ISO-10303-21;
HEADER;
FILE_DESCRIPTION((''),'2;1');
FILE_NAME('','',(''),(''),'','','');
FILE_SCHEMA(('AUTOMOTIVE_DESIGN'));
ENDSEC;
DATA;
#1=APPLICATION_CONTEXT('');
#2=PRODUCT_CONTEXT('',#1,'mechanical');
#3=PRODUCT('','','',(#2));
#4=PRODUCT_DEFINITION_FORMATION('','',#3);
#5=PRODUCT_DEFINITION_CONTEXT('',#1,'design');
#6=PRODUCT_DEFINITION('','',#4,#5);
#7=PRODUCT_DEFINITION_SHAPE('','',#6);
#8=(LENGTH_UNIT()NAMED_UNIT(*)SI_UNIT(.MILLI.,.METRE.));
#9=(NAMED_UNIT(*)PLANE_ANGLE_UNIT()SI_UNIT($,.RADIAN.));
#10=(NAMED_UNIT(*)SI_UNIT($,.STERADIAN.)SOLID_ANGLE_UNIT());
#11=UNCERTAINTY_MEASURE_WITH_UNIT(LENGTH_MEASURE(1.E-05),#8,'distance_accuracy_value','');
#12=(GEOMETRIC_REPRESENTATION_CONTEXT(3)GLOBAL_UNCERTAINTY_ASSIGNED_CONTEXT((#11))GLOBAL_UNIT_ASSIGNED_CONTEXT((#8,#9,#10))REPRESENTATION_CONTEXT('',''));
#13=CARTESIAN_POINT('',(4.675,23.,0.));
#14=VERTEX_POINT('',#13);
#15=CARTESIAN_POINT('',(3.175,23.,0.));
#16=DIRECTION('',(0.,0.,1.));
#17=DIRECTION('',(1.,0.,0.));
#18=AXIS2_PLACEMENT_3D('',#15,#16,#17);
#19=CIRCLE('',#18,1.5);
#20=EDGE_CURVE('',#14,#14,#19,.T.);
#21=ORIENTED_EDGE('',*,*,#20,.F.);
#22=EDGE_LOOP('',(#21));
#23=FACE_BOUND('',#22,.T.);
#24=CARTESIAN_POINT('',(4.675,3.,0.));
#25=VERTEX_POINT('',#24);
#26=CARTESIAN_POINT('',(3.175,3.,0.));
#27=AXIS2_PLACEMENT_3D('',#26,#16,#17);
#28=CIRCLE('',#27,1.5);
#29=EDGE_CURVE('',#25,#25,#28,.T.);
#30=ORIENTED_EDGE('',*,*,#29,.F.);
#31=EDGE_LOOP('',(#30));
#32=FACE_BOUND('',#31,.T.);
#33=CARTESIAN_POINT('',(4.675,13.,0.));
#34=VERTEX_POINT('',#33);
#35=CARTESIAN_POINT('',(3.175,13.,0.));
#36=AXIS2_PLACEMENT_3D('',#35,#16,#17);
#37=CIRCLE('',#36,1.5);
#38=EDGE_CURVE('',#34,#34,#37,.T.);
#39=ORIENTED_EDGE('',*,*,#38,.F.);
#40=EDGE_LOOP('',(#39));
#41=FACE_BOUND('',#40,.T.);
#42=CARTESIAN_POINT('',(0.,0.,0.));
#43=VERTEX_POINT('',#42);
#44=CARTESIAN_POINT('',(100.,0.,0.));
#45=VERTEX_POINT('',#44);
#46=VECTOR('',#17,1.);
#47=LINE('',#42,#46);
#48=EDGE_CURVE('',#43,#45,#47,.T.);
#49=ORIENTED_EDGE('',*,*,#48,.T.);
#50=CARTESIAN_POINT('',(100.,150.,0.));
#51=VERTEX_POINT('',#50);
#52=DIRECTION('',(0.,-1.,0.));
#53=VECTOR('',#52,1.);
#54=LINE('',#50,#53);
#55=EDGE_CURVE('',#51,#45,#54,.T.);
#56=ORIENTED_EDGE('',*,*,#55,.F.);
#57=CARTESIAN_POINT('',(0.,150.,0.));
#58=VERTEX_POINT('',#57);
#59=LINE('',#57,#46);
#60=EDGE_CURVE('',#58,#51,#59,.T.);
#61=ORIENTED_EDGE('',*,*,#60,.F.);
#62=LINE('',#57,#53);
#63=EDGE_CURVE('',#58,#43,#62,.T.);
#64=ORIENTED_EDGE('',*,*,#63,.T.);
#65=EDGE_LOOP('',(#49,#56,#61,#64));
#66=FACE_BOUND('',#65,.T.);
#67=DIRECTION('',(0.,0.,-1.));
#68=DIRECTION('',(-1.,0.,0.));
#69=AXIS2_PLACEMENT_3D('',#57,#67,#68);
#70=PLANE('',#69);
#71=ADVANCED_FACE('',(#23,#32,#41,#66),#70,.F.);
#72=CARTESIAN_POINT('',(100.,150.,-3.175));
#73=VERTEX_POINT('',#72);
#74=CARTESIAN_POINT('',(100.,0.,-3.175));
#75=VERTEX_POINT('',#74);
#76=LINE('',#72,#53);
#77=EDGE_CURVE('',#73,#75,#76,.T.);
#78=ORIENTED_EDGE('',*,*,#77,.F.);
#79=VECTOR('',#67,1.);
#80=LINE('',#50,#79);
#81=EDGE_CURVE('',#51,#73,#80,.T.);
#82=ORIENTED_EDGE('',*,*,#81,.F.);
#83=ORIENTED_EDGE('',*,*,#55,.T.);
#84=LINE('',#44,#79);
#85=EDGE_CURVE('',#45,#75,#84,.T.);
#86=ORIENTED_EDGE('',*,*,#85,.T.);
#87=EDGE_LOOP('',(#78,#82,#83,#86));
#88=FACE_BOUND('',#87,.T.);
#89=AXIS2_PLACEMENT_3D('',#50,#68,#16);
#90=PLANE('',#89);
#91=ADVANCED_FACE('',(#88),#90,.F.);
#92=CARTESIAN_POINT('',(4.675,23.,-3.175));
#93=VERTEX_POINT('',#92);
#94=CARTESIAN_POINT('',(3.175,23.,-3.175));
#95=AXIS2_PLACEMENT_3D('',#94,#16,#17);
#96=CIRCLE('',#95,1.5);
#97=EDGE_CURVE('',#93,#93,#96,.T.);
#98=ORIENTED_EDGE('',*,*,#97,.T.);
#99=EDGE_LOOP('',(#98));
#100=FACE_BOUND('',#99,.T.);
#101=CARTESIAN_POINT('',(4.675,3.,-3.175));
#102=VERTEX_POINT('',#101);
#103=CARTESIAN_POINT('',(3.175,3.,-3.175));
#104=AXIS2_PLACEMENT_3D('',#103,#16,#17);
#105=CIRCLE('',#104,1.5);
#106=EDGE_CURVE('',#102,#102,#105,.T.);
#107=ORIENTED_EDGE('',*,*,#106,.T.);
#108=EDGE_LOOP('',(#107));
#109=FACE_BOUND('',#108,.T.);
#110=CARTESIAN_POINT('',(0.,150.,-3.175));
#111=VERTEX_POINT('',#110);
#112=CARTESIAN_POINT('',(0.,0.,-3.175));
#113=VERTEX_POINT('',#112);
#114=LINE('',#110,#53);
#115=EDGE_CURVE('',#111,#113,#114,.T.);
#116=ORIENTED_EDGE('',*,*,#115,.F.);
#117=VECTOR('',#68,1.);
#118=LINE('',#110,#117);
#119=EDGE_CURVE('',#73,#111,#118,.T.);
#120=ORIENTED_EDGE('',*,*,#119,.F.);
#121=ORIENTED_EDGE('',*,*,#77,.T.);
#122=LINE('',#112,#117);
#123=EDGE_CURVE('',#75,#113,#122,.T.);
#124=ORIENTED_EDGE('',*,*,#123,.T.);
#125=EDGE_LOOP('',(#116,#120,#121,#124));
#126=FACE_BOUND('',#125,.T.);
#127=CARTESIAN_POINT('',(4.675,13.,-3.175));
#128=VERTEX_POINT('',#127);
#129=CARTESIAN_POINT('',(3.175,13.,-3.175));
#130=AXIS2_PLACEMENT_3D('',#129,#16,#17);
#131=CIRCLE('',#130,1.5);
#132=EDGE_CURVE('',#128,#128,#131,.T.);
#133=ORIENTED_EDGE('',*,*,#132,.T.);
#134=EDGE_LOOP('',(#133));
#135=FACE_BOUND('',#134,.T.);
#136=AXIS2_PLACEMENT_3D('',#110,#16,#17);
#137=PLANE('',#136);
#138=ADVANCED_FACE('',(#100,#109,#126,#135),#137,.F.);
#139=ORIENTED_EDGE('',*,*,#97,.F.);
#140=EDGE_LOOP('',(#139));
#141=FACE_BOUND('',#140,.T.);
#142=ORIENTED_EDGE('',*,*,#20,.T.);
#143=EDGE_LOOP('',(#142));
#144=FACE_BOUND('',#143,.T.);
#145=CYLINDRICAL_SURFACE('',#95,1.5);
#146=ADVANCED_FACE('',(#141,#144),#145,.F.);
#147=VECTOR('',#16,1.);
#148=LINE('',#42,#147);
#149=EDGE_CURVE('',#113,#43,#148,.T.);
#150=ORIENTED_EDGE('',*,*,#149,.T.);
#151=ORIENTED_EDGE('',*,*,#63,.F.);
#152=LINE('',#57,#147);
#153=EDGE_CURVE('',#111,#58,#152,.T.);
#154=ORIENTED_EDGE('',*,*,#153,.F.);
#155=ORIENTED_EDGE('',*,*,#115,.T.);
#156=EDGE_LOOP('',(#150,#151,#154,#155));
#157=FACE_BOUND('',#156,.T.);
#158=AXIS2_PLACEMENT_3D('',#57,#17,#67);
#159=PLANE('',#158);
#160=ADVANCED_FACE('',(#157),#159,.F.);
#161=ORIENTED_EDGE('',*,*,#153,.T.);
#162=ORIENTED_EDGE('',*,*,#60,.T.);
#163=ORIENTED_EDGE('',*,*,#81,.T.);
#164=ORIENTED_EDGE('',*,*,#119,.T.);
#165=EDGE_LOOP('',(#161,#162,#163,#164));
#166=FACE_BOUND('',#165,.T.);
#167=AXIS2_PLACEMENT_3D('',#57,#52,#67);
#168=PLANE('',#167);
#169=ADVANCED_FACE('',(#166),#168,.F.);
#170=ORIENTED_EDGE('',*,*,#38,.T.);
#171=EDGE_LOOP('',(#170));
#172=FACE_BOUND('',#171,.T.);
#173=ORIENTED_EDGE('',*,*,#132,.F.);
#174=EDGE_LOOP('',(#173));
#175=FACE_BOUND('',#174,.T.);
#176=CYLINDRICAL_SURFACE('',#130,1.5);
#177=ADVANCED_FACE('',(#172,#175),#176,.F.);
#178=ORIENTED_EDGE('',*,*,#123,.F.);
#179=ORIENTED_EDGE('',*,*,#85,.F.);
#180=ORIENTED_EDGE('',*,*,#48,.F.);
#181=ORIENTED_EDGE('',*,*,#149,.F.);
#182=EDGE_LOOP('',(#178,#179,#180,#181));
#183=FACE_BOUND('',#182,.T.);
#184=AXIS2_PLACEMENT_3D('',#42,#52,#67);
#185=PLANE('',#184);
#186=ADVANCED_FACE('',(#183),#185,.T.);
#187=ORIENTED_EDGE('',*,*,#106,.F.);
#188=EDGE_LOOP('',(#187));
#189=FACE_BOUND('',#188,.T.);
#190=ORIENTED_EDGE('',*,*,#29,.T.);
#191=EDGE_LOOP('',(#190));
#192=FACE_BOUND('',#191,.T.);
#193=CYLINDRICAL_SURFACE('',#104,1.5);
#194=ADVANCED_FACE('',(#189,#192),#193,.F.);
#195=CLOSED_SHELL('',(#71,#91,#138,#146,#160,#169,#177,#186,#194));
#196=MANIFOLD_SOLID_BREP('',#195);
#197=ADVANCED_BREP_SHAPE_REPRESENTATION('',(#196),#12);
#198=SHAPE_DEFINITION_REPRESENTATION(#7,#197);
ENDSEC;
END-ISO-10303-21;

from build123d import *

# Parameters (mm, degrees)
SKETCH1_W           = 100
SKETCH1_H           = 3.175
BOSS_EXTRUDE1_DEPTH = 150
SKETCH2_R           = 1.5
CUT_EXTRUDE2_DEPTH  = 3.175
SKETCH3_R           = 1.5
CUT_EXTRUDE3_DEPTH  = 3.175


with BuildPart() as part:
    # Sketch1 → Boss-Extrude1 (new body)
    with BuildSketch(Plane(origin=(0, 0, 0), x_dir=(1, 0, 0), z_dir=(0, 1, 0))):
        with Locations((50, 1.5875)):
            Rectangle(SKETCH1_W, SKETCH1_H)
    extrude(amount=BOSS_EXTRUDE1_DEPTH)

    # Sketch2 → Cut-Extrude2 (cut)
    with BuildSketch(Plane.XY):
        with Locations((3.175, 3)):
            Circle(SKETCH2_R)
        with Locations((3.175, 13)):
            Circle(SKETCH2_R)
    extrude(amount=-CUT_EXTRUDE2_DEPTH, mode=Mode.SUBTRACT)

    # Sketch3 → Cut-Extrude3 (cut)
    with BuildSketch(Plane.XY):
        with Locations((3.175, 23)):
            Circle(SKETCH3_R)
    extrude(amount=-CUT_EXTRUDE3_DEPTH, mode=Mode.SUBTRACT)


solid = part.part
